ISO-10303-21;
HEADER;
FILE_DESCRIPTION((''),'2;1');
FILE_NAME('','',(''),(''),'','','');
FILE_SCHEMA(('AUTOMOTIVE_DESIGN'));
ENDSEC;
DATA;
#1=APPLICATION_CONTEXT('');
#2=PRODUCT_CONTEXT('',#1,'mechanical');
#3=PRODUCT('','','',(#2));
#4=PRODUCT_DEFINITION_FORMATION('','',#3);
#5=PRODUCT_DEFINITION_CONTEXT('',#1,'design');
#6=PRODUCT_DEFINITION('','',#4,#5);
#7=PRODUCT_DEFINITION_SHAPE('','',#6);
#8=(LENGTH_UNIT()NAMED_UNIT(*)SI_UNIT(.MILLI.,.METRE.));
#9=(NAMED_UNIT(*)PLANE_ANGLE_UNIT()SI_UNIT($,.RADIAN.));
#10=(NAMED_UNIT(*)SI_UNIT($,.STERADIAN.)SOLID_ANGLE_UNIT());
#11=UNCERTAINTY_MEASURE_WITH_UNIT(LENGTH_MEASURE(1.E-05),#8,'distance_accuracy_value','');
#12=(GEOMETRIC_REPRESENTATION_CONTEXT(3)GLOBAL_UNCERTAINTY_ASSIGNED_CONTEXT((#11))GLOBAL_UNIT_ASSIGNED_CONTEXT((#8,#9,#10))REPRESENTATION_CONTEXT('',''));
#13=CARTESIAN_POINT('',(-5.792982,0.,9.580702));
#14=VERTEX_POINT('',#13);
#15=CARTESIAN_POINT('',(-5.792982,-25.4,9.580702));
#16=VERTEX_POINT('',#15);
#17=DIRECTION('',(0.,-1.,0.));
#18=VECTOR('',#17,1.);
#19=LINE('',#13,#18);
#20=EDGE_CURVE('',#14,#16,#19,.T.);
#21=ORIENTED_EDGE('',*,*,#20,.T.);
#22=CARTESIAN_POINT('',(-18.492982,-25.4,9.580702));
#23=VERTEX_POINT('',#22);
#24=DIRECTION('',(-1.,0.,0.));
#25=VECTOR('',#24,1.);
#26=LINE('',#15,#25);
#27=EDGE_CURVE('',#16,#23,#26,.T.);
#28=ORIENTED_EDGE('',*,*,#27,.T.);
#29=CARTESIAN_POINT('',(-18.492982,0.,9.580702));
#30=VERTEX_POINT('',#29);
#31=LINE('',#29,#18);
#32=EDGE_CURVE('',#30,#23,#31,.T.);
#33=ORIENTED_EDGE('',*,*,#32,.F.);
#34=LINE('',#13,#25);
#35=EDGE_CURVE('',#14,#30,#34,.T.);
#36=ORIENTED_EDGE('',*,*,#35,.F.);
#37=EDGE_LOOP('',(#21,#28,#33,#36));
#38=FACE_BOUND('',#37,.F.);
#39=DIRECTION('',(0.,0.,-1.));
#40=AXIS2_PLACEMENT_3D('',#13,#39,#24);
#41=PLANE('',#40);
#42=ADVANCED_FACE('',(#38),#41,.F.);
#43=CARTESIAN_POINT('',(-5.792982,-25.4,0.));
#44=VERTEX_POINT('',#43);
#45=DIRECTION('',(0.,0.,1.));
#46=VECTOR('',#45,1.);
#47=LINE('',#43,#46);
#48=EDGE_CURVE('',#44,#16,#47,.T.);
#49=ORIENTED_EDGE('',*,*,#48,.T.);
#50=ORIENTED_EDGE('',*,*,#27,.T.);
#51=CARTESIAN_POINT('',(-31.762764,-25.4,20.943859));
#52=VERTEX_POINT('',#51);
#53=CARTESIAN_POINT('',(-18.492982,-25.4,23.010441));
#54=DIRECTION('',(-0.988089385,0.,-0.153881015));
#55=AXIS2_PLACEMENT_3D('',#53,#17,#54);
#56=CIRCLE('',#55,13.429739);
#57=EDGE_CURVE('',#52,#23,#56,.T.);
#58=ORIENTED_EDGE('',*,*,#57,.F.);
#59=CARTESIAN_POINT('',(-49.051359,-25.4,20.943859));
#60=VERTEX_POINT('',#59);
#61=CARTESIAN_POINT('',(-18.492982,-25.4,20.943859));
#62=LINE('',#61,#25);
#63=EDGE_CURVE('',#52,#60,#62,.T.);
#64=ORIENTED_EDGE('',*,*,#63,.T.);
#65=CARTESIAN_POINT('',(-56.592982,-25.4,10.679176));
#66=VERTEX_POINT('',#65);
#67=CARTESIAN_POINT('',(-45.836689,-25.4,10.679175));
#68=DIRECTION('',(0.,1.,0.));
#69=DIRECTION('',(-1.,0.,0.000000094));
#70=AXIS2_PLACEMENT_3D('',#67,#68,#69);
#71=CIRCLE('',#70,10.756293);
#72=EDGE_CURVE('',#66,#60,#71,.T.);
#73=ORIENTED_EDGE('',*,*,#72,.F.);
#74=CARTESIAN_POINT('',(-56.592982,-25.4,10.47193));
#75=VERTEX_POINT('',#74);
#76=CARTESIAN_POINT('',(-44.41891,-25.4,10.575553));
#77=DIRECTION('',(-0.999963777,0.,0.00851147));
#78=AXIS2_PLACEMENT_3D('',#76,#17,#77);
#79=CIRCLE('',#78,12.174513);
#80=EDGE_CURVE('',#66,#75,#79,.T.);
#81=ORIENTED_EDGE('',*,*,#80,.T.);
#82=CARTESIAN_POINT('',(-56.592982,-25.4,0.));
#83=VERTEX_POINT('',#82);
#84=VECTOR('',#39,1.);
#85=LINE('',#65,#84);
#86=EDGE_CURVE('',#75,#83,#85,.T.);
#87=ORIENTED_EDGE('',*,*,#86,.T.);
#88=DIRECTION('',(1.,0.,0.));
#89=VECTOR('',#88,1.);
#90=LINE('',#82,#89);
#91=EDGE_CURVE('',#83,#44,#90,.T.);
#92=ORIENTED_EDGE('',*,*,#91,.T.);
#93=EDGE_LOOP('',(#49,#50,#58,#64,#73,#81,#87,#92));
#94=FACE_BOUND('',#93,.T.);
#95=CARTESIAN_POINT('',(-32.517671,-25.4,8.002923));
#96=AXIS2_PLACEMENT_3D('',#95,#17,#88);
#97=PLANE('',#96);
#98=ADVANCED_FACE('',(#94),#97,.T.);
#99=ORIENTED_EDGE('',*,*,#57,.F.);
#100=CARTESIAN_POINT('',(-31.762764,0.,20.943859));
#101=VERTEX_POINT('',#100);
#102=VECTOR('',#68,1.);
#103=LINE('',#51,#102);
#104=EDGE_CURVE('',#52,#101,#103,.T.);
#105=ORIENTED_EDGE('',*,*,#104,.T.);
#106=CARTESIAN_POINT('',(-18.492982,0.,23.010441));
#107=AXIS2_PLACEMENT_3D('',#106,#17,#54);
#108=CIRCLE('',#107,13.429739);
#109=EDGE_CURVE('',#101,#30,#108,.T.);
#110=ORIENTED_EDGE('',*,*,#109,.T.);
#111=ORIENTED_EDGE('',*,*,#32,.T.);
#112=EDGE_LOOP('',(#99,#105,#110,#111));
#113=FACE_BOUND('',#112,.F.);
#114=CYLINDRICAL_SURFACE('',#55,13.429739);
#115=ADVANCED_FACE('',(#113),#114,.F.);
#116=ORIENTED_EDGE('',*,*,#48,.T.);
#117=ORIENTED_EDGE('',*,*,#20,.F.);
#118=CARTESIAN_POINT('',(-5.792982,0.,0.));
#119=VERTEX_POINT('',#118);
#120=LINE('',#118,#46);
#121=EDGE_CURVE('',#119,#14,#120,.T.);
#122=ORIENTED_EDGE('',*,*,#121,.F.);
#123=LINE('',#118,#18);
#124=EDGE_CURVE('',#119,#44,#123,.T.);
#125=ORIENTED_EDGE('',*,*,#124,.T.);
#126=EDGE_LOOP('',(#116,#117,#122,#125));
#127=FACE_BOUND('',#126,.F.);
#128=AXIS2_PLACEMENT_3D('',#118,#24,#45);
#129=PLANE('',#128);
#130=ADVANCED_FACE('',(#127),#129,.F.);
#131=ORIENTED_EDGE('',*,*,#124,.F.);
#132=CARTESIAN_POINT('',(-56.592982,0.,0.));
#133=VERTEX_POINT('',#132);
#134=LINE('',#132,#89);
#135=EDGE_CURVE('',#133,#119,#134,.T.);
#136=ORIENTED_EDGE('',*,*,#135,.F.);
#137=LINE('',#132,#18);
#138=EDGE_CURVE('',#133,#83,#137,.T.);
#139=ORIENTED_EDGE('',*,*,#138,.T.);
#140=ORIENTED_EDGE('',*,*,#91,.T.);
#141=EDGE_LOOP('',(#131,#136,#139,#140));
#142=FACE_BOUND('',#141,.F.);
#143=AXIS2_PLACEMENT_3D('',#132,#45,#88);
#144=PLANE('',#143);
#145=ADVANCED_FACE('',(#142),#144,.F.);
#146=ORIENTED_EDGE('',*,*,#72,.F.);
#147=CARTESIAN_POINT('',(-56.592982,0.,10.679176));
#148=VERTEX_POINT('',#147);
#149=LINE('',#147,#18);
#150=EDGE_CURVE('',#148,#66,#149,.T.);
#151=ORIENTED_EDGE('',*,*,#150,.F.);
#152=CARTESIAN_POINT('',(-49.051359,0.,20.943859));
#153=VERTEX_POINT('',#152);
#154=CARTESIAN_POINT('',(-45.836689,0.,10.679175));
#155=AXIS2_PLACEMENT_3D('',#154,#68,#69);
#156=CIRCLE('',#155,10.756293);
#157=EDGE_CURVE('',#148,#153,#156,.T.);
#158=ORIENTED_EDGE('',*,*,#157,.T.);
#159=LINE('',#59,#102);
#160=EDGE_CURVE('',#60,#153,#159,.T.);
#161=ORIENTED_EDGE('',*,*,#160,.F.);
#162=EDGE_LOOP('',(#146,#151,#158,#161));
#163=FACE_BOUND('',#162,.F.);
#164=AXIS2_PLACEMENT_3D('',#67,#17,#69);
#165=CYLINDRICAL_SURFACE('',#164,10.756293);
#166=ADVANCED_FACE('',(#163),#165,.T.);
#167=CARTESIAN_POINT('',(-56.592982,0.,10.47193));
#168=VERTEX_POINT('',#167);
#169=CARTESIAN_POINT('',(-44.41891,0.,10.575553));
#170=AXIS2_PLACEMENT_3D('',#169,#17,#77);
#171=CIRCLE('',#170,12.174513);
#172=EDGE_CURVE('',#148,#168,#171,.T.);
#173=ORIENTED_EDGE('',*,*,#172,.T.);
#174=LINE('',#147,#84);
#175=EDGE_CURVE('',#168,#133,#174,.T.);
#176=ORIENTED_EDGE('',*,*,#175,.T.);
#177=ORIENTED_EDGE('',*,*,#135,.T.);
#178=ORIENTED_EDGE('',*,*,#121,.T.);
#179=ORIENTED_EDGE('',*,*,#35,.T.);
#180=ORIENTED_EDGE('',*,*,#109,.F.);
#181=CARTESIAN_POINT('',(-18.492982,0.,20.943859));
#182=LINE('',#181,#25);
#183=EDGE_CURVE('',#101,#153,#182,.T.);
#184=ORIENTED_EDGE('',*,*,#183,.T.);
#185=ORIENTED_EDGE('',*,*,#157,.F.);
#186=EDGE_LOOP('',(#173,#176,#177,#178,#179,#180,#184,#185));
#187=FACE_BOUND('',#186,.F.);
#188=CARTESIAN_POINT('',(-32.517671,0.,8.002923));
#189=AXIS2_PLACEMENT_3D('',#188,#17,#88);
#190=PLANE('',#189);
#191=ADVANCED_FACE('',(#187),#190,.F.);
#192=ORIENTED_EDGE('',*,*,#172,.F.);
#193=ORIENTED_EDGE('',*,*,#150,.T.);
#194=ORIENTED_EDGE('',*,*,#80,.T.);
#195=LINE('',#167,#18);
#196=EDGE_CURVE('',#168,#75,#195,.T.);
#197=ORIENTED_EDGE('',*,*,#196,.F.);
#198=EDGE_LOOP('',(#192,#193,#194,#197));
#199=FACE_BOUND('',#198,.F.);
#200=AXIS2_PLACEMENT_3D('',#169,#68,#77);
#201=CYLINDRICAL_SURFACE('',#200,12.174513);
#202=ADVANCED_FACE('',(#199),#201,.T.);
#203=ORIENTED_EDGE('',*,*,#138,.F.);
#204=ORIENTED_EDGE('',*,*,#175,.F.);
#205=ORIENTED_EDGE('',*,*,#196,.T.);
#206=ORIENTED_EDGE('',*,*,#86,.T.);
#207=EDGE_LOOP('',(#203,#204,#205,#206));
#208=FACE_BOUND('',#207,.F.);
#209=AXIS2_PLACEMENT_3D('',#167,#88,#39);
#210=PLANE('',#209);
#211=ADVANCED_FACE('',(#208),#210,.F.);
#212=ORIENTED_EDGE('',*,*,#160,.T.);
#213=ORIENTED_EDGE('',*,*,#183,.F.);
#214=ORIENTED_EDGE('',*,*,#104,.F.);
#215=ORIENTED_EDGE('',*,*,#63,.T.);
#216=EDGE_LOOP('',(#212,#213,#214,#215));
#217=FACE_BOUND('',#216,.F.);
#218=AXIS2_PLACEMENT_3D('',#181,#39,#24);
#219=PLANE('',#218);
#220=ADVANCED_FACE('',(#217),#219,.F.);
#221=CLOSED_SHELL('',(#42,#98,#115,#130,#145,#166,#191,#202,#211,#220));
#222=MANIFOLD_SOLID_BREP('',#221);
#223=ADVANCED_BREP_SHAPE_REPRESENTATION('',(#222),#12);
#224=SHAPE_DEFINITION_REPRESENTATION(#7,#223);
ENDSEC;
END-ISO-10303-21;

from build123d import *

# Parameters (mm, degrees)
F1_DEPTH = 25.4
F3_DEPTH = 25.4


with BuildPart() as f1:
    # F0 (on Front) → F1 (new body)
    with BuildSketch(Plane.XZ):
        with BuildLine():
            Line((-56.592982, 10.47193), (-56.592982, 0))
            Line((-56.592982, 0), (-5.792982, 0))
            Line((-5.792982, 0), (-5.792982, 9.580702))
            Line((-5.792982, 9.580702), (-18.492982, 9.580702))
            ThreePointArc((-18.492982, 9.580702), (-27.683477, 12.761842), (-32.940801, 20.943859))
            Line((-32.940801, 20.943859), (-50.7854, 20.943859))
            ThreePointArc((-50.7854, 20.943859), (-55.017084, 16.562817), (-56.592982, 10.679176))
            Line((-56.592982, 10.679176), (-56.592982, 10.47193))
        make_face()
        with BuildLine():
            ThreePointArc((-56.592982, 10.679176), (-56.593423, 10.575553), (-56.592982, 10.47193))
            Line((-56.592982, 10.47193), (-56.592982, 10.679176))
        make_face()
        with BuildLine():
            Line((-56.592982, 20.943859), (-56.592982, 10.679176))
            ThreePointArc((-56.592982, 10.679176), (-55.017084, 16.562817), (-50.7854, 20.943859))
            Line((-50.7854, 20.943859), (-56.592982, 20.943859))
        make_face()
        with BuildLine():
            ThreePointArc((-32.940801, 20.943859), (-27.683477, 12.761842), (-18.492982, 9.580702))
            Line((-18.492982, 9.580702), (-18.492982, 20.943859))
            Line((-18.492982, 20.943859), (-32.940801, 20.943859))
        make_face()
    extrude(amount=F1_DEPTH)

    # F2 (on face) → F3 (cut)
    with BuildSketch(Plane.XZ.offset(25.4)):
        with BuildLine():
            ThreePointArc((-56.592982, 10.679176), (-54.5049, 17.047845), (-49.051359, 20.943859))
            Line((-49.051359, 20.943859), (-56.592982, 20.943859))
            Line((-56.592982, 20.943859), (-56.592982, 10.679176))
        make_face()
        with BuildLine():
            Line((-18.492982, 20.943859), (-31.762764, 20.943859))
            ThreePointArc((-31.762764, 20.943859), (-27.22809, 12.809668), (-18.492982, 9.580702))
            Line((-18.492982, 9.580702), (-18.492982, 20.943859))
        make_face()
    extrude(amount=-F3_DEPTH, mode=Mode.SUBTRACT)


solid = f1.part
